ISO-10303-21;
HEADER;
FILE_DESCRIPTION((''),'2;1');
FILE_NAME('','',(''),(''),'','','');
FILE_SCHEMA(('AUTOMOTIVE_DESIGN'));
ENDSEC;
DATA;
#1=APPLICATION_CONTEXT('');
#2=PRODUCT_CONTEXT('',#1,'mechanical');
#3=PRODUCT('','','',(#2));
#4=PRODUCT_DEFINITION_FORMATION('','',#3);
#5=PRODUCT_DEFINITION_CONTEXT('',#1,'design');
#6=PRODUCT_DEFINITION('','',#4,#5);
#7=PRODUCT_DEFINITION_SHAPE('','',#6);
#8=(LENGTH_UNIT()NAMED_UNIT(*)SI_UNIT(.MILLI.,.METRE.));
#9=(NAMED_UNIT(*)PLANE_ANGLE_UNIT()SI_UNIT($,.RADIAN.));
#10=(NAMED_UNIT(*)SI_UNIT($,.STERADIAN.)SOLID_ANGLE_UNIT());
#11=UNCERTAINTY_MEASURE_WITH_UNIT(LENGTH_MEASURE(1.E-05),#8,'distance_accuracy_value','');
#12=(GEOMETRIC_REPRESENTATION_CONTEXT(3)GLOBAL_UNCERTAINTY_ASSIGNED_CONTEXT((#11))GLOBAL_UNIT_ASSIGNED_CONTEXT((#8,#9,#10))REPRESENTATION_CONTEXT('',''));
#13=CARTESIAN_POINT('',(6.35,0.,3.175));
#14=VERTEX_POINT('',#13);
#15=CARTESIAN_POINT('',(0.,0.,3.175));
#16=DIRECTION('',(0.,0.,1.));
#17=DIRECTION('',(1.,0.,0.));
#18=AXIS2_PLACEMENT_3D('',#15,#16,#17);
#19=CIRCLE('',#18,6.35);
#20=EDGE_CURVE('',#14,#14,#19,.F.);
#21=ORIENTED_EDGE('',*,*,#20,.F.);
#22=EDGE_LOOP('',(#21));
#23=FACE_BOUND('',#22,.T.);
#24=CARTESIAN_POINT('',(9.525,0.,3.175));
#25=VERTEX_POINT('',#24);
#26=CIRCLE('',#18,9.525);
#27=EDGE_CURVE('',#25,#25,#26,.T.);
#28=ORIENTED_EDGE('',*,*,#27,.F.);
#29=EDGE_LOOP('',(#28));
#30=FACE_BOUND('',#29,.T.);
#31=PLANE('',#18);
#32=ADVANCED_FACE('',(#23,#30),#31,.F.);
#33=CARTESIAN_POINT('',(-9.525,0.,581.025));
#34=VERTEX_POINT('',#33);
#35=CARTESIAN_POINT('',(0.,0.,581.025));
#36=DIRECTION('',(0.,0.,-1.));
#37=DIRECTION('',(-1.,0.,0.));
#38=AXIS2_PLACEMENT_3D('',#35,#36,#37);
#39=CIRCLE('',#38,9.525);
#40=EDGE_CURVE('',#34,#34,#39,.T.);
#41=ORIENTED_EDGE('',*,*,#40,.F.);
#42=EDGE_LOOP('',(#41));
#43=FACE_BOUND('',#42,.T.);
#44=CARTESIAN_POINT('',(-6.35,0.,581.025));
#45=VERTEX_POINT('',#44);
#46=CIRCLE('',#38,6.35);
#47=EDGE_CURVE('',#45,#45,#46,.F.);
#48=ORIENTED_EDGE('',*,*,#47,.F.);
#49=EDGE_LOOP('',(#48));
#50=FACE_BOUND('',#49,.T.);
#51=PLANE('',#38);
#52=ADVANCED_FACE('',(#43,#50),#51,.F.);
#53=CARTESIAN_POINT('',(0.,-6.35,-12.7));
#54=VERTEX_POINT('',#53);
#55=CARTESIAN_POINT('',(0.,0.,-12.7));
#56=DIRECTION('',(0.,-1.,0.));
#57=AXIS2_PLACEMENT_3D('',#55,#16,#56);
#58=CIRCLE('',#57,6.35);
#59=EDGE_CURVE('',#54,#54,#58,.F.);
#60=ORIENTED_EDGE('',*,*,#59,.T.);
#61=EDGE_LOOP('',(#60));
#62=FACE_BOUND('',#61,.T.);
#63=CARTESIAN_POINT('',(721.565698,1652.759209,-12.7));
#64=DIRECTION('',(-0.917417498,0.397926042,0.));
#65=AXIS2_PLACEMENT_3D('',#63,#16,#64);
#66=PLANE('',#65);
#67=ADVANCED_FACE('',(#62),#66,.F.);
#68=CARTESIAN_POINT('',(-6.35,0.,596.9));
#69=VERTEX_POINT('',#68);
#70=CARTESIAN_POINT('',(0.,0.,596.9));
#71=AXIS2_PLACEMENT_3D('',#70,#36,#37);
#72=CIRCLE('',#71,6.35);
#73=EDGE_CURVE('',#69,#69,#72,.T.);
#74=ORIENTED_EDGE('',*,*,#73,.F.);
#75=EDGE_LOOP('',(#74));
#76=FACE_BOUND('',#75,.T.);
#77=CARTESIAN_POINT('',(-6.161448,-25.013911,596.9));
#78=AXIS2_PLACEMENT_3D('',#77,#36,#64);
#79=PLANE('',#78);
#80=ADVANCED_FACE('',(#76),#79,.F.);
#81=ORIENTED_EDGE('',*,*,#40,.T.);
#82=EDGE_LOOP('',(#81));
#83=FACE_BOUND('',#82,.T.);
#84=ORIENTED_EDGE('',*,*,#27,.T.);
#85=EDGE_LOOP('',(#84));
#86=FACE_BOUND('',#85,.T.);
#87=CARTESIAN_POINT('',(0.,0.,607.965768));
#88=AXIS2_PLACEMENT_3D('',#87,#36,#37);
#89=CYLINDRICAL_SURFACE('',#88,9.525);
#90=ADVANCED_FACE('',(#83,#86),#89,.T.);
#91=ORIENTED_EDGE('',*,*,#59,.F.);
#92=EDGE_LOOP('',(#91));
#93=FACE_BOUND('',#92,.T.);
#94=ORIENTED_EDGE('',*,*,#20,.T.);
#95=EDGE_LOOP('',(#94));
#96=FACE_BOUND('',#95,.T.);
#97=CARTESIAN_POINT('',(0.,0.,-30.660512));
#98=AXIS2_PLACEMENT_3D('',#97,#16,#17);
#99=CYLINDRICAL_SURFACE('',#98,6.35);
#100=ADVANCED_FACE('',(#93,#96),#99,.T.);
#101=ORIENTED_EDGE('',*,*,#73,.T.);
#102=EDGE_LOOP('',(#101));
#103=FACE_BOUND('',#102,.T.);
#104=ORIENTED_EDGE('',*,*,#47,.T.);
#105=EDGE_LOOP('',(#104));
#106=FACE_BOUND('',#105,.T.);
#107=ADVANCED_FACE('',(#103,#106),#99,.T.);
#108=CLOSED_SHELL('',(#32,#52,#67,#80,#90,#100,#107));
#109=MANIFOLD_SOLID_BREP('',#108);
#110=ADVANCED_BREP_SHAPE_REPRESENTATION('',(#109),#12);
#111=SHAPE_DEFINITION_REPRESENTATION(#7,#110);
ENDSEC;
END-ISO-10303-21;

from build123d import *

# Parameters (mm, degrees)
BOSS_EXTRUDE3_DEPTH      = 596.9
BOSS_EXTRUDE3_DEPTH_BACK = 12.7
SKETCH1_R                = 6.35
BOSS_EXTRUDE4_START      = 3.175
SKETCH3_R                = 9.525
BOSS_EXTRUDE4_DEPTH      = 577.85


with BuildPart() as part:
    # Sketch1 → Boss-Extrude3 (new, two sides: drawn at the far end of the back side and taken through both)
    with BuildSketch(Plane.XY.offset(-BOSS_EXTRUDE3_DEPTH_BACK)):
        with Locations(Location((0, 0, 0), (0, 0, 270))):
            Circle(SKETCH1_R)
    extrude(amount=BOSS_EXTRUDE3_DEPTH + BOSS_EXTRUDE3_DEPTH_BACK)

    # Sketch3 → Boss-Extrude4 (add)
    with BuildSketch(Plane.XY.offset(BOSS_EXTRUDE4_START)):
        with Locations(Location((0, 0, 0), (0, 0, 180))):
            Circle(SKETCH3_R)
    extrude(amount=BOSS_EXTRUDE4_DEPTH)


solid = part.part
